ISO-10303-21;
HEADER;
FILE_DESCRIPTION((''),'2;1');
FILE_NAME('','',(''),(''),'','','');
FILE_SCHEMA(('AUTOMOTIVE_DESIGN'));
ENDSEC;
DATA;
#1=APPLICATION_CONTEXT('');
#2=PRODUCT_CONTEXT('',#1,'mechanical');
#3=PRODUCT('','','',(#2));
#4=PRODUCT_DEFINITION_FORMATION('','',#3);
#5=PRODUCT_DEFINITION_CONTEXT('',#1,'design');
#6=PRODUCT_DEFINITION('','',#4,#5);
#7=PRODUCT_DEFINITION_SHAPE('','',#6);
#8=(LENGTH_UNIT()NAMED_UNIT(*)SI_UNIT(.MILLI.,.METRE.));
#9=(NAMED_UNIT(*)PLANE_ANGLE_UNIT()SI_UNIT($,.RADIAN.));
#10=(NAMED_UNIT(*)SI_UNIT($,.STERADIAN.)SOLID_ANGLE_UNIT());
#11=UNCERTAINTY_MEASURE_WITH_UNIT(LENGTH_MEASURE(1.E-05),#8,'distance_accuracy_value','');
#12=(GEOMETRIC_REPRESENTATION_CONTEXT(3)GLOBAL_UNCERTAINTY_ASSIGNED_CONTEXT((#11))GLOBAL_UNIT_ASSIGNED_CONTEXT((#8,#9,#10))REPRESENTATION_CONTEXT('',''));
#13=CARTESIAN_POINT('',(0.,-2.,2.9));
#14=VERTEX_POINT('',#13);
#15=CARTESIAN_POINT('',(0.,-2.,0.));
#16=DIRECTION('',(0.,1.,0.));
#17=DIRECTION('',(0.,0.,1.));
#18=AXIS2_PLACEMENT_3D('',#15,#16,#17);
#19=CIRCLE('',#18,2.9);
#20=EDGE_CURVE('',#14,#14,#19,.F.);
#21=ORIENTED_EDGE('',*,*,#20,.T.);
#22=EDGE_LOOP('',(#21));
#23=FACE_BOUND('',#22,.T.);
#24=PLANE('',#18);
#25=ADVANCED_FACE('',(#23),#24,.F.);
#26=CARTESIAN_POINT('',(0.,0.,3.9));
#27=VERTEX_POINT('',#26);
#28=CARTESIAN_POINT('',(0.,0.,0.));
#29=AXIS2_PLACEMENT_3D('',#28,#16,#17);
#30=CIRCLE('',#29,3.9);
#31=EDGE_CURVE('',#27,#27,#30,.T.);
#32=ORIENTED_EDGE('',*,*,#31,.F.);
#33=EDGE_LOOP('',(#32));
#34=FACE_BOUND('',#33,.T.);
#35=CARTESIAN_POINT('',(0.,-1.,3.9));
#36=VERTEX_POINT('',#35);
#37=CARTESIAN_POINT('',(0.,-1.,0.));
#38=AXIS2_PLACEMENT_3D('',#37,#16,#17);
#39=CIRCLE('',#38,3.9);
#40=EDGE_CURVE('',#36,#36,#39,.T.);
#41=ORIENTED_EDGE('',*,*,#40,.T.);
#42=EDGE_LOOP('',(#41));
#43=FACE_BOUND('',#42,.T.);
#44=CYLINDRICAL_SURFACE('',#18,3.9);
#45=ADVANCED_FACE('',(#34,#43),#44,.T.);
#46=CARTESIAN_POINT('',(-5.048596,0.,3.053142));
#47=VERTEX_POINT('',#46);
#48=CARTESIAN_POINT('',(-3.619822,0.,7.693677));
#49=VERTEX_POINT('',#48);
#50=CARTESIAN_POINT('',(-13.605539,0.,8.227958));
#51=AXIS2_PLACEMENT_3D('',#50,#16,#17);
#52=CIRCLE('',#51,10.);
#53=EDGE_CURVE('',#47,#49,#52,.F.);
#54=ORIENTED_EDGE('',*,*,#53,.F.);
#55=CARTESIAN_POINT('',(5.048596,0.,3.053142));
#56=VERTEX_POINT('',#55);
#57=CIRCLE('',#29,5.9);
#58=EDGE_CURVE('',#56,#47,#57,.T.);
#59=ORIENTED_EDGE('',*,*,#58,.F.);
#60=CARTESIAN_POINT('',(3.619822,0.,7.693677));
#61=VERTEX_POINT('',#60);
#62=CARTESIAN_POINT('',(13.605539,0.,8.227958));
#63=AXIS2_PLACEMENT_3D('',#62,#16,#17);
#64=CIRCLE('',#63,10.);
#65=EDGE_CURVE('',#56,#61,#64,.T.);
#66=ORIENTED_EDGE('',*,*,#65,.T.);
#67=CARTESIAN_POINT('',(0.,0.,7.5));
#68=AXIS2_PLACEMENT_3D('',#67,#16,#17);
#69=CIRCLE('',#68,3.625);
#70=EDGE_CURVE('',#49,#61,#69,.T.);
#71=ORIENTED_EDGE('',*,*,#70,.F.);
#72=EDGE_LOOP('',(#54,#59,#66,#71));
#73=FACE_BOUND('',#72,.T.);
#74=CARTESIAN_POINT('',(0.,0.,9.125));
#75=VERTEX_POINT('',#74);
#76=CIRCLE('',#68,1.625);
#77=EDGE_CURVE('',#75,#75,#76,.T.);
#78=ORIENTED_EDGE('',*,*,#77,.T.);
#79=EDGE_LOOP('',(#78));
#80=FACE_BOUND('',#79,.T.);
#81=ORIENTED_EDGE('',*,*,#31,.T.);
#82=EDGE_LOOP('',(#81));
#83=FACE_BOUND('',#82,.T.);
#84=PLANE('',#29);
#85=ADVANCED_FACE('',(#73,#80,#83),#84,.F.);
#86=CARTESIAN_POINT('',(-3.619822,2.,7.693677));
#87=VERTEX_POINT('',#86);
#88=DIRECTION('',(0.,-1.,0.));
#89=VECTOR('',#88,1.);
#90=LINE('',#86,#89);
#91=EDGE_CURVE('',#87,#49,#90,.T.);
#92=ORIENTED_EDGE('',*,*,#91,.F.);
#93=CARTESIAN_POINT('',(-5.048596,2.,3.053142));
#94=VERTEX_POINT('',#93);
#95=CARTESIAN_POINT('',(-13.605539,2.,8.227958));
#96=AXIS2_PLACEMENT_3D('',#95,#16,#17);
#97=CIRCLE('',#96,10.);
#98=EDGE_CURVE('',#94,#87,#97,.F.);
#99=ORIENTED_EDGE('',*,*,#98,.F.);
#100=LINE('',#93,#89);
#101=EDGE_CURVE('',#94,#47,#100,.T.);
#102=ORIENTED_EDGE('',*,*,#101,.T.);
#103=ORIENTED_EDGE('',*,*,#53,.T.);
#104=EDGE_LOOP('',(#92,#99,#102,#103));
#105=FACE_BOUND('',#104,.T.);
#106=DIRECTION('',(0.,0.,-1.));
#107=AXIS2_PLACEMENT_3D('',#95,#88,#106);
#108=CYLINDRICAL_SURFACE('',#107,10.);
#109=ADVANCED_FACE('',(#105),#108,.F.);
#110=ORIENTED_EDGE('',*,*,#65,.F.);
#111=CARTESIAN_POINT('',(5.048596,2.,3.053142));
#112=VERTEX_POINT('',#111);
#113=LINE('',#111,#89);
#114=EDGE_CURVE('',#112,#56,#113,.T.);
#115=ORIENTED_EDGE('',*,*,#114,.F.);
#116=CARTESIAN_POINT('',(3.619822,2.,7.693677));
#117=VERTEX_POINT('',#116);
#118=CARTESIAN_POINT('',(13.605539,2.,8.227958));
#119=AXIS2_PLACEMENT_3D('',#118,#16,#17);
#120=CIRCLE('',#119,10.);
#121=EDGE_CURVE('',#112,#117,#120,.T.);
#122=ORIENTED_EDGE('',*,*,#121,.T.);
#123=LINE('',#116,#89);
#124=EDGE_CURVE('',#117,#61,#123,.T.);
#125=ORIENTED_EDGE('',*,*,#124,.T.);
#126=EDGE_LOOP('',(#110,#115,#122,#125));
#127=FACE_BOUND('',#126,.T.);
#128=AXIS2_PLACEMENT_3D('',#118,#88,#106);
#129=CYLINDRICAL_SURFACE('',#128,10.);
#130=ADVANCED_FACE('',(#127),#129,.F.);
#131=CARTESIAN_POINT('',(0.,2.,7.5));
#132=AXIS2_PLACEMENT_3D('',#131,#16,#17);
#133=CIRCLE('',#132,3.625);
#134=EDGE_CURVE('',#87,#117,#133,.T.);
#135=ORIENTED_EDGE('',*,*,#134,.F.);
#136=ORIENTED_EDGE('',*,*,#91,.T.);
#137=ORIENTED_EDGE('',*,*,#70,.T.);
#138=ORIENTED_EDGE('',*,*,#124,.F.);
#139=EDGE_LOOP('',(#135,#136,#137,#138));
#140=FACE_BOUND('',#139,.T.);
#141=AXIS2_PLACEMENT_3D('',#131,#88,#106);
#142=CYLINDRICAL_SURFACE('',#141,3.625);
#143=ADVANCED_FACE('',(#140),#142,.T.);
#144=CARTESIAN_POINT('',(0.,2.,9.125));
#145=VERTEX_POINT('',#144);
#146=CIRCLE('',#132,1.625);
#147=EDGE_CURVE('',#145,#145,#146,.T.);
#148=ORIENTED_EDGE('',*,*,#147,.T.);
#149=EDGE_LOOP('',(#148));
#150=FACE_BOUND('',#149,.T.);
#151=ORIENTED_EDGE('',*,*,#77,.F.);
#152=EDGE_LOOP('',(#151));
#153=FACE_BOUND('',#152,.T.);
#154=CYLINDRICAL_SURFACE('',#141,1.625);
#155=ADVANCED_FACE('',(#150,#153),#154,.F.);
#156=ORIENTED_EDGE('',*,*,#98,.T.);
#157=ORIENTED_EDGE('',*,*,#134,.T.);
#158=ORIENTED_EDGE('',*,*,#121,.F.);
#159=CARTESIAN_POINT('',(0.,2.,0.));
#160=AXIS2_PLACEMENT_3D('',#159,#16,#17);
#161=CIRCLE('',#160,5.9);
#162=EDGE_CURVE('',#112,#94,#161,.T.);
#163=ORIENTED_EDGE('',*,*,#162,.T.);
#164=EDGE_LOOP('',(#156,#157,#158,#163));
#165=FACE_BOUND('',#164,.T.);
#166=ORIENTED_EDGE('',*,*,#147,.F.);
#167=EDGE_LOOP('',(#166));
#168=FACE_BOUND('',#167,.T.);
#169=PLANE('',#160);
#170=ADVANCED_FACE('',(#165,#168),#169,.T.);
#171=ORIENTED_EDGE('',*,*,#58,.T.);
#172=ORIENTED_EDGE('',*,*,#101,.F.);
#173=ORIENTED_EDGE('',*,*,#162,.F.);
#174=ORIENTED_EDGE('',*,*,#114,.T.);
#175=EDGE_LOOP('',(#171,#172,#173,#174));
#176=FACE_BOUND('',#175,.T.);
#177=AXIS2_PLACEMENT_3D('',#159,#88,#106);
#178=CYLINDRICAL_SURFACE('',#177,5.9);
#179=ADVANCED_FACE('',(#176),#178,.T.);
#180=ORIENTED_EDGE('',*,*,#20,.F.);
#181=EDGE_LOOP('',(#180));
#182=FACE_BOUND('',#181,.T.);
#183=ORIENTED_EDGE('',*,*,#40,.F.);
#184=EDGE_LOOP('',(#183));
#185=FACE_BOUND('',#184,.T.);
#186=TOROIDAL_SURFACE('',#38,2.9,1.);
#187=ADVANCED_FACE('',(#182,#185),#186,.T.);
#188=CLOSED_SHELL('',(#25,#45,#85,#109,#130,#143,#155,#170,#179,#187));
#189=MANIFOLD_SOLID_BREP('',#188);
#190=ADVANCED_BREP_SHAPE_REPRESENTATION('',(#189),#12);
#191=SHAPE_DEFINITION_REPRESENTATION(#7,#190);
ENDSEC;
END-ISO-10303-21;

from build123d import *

# Parameters (mm, degrees)
SKETCH1_R           = 1.625
BOSS_EXTRUDE1_DEPTH = 2
SKETCH1_3_R         = 3.9
BOSS_EXTRUDE2_DEPTH = 2
FILLET1_R           = 1


with BuildPart() as part:
    # Sketch1 → Boss-Extrude1 (new body)
    with BuildSketch(Plane(origin=(0, 0, 0), x_dir=(1, 0, 0), z_dir=(0, 1, 0))):
        with BuildLine():
            ThreePointArc((-5.048596372, -3.053141771), (-4.048280274, -5.285374691), (-3.619822402, -7.693676988))
            ThreePointArc((-3.619822402, -7.693676988), (0, -11.125), (3.619822402, -7.693676988))
            ThreePointArc((3.619822402, -7.693676988), (4.048280274, -5.285374691), (5.048596372, -3.053141771))
            ThreePointArc((5.048596372, -3.053141771), (0, 5.9), (-5.048596372, -3.053141771))
        make_face()
        with Locations((0, -7.5)):
            Circle(SKETCH1_R, mode=Mode.SUBTRACT)
    extrude(amount=BOSS_EXTRUDE1_DEPTH)

    # Sketch1<3> → Boss-Extrude2 (add)
    with BuildSketch(Plane(origin=(0, 0, 0), x_dir=(1, 0, 0), z_dir=(0, 1, 0))):
        Circle(SKETCH1_3_R)
    extrude(amount=-BOSS_EXTRUDE2_DEPTH)

    # Fillet1
    fillet1_edges = [part.edges().sort_by_distance(p)[0] for p in [
        (-3.9, -2, 0),
    ]]
    fillet(fillet1_edges, radius=FILLET1_R)


solid = part.part
